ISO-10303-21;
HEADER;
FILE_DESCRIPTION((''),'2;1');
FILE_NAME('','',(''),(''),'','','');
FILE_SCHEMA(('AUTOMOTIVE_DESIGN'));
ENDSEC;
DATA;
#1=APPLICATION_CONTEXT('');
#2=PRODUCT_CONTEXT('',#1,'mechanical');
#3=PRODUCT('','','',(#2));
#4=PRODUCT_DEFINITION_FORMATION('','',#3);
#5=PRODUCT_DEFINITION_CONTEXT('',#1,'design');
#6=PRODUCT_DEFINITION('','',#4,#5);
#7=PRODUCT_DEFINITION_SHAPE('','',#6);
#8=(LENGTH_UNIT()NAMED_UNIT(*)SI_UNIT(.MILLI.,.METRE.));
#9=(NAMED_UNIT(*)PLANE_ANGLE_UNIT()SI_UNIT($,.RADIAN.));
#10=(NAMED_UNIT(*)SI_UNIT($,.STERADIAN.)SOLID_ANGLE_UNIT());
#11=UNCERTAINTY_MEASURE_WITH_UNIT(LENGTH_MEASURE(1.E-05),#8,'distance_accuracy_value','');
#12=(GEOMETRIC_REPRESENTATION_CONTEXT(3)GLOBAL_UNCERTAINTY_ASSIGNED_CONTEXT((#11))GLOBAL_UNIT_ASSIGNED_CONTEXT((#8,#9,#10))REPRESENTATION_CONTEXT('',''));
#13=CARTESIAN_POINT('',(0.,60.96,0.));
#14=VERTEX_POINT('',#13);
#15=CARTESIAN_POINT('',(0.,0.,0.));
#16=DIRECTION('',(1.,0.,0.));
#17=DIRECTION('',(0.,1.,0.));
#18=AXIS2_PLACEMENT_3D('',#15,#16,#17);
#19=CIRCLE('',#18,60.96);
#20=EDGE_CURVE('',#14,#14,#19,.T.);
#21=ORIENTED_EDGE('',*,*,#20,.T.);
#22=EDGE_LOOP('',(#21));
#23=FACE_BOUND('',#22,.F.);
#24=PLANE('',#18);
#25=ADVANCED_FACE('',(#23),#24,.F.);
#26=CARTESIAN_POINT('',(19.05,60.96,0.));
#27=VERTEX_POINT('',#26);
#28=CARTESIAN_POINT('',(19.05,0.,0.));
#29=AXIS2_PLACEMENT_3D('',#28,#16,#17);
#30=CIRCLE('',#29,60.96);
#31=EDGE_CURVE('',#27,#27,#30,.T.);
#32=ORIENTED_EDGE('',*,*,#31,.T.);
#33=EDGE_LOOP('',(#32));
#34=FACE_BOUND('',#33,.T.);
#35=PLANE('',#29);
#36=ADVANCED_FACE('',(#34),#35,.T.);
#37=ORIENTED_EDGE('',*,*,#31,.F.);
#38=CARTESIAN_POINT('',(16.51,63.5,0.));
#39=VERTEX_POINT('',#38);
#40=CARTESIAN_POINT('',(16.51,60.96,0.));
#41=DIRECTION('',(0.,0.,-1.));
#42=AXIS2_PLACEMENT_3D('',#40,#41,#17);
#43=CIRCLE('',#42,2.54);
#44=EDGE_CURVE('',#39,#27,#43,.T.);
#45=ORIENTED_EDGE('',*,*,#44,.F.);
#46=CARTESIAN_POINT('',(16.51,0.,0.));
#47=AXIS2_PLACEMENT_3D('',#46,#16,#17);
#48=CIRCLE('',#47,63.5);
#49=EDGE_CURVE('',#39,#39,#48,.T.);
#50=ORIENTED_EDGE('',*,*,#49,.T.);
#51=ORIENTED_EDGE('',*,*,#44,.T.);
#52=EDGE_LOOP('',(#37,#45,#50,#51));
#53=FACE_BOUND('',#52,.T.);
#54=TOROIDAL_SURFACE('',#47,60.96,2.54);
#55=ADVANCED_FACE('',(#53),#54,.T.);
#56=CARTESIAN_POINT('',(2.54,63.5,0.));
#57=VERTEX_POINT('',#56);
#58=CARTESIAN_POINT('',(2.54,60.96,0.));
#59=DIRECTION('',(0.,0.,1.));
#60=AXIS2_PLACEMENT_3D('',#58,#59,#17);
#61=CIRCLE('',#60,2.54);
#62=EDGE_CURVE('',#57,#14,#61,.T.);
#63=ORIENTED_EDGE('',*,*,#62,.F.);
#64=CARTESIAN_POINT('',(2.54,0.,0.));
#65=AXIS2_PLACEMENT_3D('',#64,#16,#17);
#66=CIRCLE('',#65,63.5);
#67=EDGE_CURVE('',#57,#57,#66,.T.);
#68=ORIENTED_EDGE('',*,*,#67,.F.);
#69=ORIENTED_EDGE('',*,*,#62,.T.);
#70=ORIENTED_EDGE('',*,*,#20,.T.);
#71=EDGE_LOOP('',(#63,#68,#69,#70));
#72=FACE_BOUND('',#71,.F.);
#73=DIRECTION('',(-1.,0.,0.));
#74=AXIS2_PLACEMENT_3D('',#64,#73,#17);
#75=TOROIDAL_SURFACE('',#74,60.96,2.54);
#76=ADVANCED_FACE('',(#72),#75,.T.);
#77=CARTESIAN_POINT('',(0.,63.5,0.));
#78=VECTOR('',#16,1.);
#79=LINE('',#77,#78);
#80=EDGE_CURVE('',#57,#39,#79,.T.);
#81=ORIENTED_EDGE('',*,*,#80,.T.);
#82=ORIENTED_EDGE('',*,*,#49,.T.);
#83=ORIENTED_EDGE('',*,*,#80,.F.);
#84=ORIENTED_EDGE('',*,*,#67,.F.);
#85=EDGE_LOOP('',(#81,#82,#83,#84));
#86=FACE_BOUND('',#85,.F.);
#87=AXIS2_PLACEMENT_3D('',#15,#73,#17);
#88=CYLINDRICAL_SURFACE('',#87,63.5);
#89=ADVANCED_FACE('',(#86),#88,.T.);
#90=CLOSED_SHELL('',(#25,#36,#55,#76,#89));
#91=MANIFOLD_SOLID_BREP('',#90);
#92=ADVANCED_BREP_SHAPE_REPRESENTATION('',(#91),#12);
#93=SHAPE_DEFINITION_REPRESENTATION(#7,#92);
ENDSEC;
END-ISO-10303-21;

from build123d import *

# Parameters (mm, degrees)
F0_R     = 63.5
F1_DEPTH = 19.05
F2_R     = 2.54
F3_R     = 2.54


with BuildPart() as f1:
    # F0 (on Right) → F1 (new body)
    with BuildSketch(Plane.YZ):
        Circle(F0_R)
    extrude(amount=F1_DEPTH)

    # F2
    f2_edges = [f1.edges().sort_by_distance(p)[0] for p in [
        (19.05, -63.5, 0),
    ]]
    fillet(f2_edges, radius=F2_R)

    # F3
    f3_edges = [f1.edges().sort_by_distance(p)[0] for p in [
        (0, -63.5, 0),
    ]]
    fillet(f3_edges, radius=F3_R)


solid = f1.part
